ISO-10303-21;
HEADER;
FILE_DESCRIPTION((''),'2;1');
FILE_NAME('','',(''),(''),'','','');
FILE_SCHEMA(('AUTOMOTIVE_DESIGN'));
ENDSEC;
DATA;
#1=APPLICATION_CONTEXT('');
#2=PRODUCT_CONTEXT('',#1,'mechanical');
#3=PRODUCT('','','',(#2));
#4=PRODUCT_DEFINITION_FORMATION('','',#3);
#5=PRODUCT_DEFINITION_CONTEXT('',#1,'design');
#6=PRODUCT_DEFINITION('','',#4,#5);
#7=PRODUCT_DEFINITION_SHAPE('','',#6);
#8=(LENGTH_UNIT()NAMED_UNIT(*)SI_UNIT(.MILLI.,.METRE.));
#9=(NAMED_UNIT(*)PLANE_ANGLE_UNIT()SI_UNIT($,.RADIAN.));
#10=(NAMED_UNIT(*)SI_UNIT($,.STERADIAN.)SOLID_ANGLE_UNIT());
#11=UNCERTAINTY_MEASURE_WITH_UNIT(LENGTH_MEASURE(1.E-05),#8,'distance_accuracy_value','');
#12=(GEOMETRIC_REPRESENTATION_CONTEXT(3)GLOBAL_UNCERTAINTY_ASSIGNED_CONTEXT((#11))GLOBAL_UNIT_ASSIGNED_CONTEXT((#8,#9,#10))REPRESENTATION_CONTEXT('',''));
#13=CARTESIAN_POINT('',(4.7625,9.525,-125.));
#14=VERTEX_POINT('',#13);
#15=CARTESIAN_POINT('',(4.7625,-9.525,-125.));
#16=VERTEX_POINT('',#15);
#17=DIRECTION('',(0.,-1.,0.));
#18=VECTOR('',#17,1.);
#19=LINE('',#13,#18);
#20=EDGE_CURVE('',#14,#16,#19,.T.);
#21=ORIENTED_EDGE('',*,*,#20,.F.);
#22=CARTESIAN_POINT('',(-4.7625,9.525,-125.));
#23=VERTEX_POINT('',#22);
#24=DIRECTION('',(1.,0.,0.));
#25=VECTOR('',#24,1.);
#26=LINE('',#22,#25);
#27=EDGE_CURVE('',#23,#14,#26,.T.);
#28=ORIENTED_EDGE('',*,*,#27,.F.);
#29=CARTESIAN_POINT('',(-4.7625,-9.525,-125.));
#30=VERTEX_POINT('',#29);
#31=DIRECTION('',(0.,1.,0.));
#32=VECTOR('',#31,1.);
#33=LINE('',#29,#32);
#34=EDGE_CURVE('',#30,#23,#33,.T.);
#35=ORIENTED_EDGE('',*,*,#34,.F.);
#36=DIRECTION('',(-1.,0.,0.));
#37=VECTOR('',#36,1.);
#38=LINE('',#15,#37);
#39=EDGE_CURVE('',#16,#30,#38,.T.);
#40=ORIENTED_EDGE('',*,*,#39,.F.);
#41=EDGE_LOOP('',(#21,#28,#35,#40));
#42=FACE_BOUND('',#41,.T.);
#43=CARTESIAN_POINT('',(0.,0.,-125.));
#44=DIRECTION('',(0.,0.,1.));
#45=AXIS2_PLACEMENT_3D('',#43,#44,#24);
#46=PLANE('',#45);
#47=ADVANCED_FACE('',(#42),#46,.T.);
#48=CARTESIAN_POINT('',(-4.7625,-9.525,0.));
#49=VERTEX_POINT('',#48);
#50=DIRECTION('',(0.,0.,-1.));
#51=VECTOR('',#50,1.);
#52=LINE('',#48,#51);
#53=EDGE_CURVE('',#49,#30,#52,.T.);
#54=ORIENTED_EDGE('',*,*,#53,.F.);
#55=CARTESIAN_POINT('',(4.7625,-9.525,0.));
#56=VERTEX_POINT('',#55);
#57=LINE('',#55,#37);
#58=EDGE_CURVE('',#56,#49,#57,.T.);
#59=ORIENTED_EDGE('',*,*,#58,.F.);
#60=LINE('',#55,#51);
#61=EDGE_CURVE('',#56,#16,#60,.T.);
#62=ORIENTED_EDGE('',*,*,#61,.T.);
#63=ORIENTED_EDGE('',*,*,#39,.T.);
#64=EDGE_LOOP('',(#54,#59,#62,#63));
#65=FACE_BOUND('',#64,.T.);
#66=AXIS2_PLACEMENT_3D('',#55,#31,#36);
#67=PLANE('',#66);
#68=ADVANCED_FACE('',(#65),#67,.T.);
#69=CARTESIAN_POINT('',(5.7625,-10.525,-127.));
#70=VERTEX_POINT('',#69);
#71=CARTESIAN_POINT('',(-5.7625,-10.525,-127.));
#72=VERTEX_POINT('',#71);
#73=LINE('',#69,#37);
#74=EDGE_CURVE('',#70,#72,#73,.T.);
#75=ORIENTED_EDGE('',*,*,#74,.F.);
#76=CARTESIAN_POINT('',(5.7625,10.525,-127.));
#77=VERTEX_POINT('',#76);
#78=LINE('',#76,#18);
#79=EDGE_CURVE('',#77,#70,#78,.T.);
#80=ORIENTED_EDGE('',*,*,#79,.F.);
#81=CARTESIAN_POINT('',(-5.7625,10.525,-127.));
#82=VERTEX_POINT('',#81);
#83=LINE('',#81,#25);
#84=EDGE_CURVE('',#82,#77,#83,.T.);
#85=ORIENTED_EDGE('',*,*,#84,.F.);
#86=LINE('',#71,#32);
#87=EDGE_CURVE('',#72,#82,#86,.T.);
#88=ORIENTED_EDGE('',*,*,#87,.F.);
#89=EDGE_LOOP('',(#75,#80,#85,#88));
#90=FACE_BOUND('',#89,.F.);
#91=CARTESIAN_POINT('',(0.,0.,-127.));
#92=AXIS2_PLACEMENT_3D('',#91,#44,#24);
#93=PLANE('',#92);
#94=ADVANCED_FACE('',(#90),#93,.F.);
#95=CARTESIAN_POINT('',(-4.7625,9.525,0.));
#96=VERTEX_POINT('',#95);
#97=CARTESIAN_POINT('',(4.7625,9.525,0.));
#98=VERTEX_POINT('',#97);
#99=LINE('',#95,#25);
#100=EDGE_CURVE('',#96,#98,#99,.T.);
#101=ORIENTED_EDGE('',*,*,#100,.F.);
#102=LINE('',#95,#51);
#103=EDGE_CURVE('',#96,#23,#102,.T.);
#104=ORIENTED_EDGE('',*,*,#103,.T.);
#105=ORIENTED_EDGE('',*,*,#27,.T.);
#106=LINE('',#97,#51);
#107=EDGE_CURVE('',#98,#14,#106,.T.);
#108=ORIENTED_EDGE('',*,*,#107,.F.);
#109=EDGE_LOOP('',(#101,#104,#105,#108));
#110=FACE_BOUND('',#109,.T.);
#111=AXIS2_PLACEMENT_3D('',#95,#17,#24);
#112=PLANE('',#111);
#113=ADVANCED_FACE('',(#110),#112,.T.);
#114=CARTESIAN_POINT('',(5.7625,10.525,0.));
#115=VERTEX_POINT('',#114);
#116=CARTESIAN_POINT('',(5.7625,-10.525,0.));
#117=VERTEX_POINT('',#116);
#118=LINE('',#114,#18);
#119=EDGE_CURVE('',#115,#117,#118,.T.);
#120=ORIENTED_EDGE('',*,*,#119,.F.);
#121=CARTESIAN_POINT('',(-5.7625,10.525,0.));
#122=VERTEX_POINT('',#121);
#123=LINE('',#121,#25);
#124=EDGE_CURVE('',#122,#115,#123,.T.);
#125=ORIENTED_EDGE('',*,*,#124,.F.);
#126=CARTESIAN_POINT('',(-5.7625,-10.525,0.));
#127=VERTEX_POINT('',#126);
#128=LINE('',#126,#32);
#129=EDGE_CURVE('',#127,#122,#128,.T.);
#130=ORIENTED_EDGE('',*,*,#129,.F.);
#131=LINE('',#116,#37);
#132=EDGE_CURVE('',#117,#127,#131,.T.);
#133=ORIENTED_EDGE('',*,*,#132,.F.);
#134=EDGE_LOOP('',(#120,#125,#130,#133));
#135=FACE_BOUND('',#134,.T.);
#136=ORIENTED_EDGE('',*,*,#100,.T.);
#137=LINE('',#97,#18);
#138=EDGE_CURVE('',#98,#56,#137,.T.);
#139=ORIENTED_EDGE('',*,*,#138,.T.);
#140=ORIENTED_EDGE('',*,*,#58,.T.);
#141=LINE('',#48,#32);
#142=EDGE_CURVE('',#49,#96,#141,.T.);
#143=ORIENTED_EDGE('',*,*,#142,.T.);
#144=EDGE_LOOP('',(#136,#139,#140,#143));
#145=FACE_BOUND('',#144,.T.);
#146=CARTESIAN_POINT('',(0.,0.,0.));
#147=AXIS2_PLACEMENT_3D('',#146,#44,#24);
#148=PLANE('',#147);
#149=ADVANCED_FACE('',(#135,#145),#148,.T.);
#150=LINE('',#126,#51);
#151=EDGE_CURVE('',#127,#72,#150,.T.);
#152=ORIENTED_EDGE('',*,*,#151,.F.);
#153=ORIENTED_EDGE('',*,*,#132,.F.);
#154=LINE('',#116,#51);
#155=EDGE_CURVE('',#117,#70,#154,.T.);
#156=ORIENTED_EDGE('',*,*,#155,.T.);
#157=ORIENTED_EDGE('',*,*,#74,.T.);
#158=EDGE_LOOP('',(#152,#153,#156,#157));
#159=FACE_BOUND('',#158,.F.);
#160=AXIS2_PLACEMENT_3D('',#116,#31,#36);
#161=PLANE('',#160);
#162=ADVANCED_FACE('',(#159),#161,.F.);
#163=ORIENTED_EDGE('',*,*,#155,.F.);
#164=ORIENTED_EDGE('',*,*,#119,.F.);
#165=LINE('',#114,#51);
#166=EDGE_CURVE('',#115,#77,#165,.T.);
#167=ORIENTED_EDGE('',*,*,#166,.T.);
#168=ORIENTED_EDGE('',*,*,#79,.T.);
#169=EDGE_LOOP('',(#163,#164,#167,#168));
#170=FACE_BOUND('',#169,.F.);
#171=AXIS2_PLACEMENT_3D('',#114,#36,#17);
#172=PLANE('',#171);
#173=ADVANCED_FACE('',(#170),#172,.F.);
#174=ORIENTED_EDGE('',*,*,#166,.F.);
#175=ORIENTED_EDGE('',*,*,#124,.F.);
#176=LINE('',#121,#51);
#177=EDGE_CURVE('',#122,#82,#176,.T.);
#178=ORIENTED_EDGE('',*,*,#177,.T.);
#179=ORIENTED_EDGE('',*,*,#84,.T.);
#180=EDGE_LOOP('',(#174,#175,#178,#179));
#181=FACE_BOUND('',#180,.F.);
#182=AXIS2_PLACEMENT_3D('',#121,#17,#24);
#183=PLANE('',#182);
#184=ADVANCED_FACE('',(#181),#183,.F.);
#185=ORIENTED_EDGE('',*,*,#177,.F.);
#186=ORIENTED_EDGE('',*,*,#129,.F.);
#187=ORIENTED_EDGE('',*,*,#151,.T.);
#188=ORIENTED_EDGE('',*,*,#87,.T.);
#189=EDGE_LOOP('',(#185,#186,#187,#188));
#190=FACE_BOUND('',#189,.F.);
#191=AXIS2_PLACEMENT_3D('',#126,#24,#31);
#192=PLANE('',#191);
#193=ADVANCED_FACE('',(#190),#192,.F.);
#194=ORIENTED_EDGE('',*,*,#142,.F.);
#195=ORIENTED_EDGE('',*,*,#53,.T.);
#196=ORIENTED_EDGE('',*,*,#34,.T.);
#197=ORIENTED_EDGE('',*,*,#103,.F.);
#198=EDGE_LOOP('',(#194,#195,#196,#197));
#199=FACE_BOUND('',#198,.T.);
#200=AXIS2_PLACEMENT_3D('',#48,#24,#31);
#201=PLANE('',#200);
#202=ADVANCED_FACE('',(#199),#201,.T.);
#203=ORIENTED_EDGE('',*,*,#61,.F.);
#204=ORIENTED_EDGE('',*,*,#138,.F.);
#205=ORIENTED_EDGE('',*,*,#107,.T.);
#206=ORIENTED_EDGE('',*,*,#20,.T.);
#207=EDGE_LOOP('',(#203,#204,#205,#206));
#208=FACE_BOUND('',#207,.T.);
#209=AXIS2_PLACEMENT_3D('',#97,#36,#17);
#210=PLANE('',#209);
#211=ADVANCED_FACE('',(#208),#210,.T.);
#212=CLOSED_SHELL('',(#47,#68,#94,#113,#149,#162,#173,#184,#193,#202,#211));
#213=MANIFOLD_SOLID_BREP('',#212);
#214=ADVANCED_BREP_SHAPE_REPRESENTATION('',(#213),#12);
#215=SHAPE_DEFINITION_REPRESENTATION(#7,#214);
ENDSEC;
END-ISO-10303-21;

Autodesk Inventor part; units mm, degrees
ref_plane "YZ Plane" through (0, 0, 0) normal (1, 0, 0) x (0, 1, 0)
ref_plane "XZ Plane" through (0, 0, 0) normal (0, 1, 0) x (-1, 0, 0)
ref_plane "XY Plane" through (0, 0, 0) normal (0, 0, 1) x (1, 0, 0)
sketch "Sketch1" plane through (0, 0, 0) normal (0, 0, 1) x (1, 0, 0)
  line L0 (5.7625, -10.525) -> (-5.7625, -10.525)
  line L1 (-5.7625, -10.525) -> (-5.7625, 10.525)
  line L2 (-5.7625, 10.525) -> (5.7625, 10.525)
  line L3 (5.7625, 10.525) -> (5.7625, -10.525)
  point P0 (0, 0)
  dimension "d2" = 21.05
  dimension "d4" = 10.525
  dimension "d7" = 11.525
  dimension "d8" = 5.7625
extrude "Extrusion1" add sketch "Sketch1" against normal blind 127
sketch "Sketch2" plane through (0, 0, 0) normal (0, 0, 1) x (1, 0, 0)
  line L0 (5.7625, -10.525) -> (-5.7625, -10.525) projected
  line L1 (5.7625, 10.525) -> (5.7625, -10.525) projected
  line L2 (-5.7625, 10.525) -> (5.7625, 10.525) projected
  line L3 (-5.7625, -10.525) -> (-5.7625, 10.525) projected
  line L4 (-4.7625, 9.525) -> (4.7625, 9.525)
  line L5 (4.7625, 9.525) -> (4.7625, -9.525)
  line L6 (4.7625, -9.525) -> (-4.7625, -9.525)
  line L7 (-4.7625, -9.525) -> (-4.7625, 9.525)
  point P0 (0, 0)
  dimension "d11" = 1
  dimension "d12" = 1
  dimension "d13" = 1
  dimension "d14" = 1
extrude "Extrusion2" cut sketch "Sketch2" against normal blind 125 contours L4 L5 L6 L7
equation "\"d2\" = 2 * d4"
equation "\"d8\" = 0.5 * d7"
equation "\"d12\" = d11"
equation "\"d13\" = d11"
equation "\"d14\" = d11"
properties part number "Waveguide Terminator"
